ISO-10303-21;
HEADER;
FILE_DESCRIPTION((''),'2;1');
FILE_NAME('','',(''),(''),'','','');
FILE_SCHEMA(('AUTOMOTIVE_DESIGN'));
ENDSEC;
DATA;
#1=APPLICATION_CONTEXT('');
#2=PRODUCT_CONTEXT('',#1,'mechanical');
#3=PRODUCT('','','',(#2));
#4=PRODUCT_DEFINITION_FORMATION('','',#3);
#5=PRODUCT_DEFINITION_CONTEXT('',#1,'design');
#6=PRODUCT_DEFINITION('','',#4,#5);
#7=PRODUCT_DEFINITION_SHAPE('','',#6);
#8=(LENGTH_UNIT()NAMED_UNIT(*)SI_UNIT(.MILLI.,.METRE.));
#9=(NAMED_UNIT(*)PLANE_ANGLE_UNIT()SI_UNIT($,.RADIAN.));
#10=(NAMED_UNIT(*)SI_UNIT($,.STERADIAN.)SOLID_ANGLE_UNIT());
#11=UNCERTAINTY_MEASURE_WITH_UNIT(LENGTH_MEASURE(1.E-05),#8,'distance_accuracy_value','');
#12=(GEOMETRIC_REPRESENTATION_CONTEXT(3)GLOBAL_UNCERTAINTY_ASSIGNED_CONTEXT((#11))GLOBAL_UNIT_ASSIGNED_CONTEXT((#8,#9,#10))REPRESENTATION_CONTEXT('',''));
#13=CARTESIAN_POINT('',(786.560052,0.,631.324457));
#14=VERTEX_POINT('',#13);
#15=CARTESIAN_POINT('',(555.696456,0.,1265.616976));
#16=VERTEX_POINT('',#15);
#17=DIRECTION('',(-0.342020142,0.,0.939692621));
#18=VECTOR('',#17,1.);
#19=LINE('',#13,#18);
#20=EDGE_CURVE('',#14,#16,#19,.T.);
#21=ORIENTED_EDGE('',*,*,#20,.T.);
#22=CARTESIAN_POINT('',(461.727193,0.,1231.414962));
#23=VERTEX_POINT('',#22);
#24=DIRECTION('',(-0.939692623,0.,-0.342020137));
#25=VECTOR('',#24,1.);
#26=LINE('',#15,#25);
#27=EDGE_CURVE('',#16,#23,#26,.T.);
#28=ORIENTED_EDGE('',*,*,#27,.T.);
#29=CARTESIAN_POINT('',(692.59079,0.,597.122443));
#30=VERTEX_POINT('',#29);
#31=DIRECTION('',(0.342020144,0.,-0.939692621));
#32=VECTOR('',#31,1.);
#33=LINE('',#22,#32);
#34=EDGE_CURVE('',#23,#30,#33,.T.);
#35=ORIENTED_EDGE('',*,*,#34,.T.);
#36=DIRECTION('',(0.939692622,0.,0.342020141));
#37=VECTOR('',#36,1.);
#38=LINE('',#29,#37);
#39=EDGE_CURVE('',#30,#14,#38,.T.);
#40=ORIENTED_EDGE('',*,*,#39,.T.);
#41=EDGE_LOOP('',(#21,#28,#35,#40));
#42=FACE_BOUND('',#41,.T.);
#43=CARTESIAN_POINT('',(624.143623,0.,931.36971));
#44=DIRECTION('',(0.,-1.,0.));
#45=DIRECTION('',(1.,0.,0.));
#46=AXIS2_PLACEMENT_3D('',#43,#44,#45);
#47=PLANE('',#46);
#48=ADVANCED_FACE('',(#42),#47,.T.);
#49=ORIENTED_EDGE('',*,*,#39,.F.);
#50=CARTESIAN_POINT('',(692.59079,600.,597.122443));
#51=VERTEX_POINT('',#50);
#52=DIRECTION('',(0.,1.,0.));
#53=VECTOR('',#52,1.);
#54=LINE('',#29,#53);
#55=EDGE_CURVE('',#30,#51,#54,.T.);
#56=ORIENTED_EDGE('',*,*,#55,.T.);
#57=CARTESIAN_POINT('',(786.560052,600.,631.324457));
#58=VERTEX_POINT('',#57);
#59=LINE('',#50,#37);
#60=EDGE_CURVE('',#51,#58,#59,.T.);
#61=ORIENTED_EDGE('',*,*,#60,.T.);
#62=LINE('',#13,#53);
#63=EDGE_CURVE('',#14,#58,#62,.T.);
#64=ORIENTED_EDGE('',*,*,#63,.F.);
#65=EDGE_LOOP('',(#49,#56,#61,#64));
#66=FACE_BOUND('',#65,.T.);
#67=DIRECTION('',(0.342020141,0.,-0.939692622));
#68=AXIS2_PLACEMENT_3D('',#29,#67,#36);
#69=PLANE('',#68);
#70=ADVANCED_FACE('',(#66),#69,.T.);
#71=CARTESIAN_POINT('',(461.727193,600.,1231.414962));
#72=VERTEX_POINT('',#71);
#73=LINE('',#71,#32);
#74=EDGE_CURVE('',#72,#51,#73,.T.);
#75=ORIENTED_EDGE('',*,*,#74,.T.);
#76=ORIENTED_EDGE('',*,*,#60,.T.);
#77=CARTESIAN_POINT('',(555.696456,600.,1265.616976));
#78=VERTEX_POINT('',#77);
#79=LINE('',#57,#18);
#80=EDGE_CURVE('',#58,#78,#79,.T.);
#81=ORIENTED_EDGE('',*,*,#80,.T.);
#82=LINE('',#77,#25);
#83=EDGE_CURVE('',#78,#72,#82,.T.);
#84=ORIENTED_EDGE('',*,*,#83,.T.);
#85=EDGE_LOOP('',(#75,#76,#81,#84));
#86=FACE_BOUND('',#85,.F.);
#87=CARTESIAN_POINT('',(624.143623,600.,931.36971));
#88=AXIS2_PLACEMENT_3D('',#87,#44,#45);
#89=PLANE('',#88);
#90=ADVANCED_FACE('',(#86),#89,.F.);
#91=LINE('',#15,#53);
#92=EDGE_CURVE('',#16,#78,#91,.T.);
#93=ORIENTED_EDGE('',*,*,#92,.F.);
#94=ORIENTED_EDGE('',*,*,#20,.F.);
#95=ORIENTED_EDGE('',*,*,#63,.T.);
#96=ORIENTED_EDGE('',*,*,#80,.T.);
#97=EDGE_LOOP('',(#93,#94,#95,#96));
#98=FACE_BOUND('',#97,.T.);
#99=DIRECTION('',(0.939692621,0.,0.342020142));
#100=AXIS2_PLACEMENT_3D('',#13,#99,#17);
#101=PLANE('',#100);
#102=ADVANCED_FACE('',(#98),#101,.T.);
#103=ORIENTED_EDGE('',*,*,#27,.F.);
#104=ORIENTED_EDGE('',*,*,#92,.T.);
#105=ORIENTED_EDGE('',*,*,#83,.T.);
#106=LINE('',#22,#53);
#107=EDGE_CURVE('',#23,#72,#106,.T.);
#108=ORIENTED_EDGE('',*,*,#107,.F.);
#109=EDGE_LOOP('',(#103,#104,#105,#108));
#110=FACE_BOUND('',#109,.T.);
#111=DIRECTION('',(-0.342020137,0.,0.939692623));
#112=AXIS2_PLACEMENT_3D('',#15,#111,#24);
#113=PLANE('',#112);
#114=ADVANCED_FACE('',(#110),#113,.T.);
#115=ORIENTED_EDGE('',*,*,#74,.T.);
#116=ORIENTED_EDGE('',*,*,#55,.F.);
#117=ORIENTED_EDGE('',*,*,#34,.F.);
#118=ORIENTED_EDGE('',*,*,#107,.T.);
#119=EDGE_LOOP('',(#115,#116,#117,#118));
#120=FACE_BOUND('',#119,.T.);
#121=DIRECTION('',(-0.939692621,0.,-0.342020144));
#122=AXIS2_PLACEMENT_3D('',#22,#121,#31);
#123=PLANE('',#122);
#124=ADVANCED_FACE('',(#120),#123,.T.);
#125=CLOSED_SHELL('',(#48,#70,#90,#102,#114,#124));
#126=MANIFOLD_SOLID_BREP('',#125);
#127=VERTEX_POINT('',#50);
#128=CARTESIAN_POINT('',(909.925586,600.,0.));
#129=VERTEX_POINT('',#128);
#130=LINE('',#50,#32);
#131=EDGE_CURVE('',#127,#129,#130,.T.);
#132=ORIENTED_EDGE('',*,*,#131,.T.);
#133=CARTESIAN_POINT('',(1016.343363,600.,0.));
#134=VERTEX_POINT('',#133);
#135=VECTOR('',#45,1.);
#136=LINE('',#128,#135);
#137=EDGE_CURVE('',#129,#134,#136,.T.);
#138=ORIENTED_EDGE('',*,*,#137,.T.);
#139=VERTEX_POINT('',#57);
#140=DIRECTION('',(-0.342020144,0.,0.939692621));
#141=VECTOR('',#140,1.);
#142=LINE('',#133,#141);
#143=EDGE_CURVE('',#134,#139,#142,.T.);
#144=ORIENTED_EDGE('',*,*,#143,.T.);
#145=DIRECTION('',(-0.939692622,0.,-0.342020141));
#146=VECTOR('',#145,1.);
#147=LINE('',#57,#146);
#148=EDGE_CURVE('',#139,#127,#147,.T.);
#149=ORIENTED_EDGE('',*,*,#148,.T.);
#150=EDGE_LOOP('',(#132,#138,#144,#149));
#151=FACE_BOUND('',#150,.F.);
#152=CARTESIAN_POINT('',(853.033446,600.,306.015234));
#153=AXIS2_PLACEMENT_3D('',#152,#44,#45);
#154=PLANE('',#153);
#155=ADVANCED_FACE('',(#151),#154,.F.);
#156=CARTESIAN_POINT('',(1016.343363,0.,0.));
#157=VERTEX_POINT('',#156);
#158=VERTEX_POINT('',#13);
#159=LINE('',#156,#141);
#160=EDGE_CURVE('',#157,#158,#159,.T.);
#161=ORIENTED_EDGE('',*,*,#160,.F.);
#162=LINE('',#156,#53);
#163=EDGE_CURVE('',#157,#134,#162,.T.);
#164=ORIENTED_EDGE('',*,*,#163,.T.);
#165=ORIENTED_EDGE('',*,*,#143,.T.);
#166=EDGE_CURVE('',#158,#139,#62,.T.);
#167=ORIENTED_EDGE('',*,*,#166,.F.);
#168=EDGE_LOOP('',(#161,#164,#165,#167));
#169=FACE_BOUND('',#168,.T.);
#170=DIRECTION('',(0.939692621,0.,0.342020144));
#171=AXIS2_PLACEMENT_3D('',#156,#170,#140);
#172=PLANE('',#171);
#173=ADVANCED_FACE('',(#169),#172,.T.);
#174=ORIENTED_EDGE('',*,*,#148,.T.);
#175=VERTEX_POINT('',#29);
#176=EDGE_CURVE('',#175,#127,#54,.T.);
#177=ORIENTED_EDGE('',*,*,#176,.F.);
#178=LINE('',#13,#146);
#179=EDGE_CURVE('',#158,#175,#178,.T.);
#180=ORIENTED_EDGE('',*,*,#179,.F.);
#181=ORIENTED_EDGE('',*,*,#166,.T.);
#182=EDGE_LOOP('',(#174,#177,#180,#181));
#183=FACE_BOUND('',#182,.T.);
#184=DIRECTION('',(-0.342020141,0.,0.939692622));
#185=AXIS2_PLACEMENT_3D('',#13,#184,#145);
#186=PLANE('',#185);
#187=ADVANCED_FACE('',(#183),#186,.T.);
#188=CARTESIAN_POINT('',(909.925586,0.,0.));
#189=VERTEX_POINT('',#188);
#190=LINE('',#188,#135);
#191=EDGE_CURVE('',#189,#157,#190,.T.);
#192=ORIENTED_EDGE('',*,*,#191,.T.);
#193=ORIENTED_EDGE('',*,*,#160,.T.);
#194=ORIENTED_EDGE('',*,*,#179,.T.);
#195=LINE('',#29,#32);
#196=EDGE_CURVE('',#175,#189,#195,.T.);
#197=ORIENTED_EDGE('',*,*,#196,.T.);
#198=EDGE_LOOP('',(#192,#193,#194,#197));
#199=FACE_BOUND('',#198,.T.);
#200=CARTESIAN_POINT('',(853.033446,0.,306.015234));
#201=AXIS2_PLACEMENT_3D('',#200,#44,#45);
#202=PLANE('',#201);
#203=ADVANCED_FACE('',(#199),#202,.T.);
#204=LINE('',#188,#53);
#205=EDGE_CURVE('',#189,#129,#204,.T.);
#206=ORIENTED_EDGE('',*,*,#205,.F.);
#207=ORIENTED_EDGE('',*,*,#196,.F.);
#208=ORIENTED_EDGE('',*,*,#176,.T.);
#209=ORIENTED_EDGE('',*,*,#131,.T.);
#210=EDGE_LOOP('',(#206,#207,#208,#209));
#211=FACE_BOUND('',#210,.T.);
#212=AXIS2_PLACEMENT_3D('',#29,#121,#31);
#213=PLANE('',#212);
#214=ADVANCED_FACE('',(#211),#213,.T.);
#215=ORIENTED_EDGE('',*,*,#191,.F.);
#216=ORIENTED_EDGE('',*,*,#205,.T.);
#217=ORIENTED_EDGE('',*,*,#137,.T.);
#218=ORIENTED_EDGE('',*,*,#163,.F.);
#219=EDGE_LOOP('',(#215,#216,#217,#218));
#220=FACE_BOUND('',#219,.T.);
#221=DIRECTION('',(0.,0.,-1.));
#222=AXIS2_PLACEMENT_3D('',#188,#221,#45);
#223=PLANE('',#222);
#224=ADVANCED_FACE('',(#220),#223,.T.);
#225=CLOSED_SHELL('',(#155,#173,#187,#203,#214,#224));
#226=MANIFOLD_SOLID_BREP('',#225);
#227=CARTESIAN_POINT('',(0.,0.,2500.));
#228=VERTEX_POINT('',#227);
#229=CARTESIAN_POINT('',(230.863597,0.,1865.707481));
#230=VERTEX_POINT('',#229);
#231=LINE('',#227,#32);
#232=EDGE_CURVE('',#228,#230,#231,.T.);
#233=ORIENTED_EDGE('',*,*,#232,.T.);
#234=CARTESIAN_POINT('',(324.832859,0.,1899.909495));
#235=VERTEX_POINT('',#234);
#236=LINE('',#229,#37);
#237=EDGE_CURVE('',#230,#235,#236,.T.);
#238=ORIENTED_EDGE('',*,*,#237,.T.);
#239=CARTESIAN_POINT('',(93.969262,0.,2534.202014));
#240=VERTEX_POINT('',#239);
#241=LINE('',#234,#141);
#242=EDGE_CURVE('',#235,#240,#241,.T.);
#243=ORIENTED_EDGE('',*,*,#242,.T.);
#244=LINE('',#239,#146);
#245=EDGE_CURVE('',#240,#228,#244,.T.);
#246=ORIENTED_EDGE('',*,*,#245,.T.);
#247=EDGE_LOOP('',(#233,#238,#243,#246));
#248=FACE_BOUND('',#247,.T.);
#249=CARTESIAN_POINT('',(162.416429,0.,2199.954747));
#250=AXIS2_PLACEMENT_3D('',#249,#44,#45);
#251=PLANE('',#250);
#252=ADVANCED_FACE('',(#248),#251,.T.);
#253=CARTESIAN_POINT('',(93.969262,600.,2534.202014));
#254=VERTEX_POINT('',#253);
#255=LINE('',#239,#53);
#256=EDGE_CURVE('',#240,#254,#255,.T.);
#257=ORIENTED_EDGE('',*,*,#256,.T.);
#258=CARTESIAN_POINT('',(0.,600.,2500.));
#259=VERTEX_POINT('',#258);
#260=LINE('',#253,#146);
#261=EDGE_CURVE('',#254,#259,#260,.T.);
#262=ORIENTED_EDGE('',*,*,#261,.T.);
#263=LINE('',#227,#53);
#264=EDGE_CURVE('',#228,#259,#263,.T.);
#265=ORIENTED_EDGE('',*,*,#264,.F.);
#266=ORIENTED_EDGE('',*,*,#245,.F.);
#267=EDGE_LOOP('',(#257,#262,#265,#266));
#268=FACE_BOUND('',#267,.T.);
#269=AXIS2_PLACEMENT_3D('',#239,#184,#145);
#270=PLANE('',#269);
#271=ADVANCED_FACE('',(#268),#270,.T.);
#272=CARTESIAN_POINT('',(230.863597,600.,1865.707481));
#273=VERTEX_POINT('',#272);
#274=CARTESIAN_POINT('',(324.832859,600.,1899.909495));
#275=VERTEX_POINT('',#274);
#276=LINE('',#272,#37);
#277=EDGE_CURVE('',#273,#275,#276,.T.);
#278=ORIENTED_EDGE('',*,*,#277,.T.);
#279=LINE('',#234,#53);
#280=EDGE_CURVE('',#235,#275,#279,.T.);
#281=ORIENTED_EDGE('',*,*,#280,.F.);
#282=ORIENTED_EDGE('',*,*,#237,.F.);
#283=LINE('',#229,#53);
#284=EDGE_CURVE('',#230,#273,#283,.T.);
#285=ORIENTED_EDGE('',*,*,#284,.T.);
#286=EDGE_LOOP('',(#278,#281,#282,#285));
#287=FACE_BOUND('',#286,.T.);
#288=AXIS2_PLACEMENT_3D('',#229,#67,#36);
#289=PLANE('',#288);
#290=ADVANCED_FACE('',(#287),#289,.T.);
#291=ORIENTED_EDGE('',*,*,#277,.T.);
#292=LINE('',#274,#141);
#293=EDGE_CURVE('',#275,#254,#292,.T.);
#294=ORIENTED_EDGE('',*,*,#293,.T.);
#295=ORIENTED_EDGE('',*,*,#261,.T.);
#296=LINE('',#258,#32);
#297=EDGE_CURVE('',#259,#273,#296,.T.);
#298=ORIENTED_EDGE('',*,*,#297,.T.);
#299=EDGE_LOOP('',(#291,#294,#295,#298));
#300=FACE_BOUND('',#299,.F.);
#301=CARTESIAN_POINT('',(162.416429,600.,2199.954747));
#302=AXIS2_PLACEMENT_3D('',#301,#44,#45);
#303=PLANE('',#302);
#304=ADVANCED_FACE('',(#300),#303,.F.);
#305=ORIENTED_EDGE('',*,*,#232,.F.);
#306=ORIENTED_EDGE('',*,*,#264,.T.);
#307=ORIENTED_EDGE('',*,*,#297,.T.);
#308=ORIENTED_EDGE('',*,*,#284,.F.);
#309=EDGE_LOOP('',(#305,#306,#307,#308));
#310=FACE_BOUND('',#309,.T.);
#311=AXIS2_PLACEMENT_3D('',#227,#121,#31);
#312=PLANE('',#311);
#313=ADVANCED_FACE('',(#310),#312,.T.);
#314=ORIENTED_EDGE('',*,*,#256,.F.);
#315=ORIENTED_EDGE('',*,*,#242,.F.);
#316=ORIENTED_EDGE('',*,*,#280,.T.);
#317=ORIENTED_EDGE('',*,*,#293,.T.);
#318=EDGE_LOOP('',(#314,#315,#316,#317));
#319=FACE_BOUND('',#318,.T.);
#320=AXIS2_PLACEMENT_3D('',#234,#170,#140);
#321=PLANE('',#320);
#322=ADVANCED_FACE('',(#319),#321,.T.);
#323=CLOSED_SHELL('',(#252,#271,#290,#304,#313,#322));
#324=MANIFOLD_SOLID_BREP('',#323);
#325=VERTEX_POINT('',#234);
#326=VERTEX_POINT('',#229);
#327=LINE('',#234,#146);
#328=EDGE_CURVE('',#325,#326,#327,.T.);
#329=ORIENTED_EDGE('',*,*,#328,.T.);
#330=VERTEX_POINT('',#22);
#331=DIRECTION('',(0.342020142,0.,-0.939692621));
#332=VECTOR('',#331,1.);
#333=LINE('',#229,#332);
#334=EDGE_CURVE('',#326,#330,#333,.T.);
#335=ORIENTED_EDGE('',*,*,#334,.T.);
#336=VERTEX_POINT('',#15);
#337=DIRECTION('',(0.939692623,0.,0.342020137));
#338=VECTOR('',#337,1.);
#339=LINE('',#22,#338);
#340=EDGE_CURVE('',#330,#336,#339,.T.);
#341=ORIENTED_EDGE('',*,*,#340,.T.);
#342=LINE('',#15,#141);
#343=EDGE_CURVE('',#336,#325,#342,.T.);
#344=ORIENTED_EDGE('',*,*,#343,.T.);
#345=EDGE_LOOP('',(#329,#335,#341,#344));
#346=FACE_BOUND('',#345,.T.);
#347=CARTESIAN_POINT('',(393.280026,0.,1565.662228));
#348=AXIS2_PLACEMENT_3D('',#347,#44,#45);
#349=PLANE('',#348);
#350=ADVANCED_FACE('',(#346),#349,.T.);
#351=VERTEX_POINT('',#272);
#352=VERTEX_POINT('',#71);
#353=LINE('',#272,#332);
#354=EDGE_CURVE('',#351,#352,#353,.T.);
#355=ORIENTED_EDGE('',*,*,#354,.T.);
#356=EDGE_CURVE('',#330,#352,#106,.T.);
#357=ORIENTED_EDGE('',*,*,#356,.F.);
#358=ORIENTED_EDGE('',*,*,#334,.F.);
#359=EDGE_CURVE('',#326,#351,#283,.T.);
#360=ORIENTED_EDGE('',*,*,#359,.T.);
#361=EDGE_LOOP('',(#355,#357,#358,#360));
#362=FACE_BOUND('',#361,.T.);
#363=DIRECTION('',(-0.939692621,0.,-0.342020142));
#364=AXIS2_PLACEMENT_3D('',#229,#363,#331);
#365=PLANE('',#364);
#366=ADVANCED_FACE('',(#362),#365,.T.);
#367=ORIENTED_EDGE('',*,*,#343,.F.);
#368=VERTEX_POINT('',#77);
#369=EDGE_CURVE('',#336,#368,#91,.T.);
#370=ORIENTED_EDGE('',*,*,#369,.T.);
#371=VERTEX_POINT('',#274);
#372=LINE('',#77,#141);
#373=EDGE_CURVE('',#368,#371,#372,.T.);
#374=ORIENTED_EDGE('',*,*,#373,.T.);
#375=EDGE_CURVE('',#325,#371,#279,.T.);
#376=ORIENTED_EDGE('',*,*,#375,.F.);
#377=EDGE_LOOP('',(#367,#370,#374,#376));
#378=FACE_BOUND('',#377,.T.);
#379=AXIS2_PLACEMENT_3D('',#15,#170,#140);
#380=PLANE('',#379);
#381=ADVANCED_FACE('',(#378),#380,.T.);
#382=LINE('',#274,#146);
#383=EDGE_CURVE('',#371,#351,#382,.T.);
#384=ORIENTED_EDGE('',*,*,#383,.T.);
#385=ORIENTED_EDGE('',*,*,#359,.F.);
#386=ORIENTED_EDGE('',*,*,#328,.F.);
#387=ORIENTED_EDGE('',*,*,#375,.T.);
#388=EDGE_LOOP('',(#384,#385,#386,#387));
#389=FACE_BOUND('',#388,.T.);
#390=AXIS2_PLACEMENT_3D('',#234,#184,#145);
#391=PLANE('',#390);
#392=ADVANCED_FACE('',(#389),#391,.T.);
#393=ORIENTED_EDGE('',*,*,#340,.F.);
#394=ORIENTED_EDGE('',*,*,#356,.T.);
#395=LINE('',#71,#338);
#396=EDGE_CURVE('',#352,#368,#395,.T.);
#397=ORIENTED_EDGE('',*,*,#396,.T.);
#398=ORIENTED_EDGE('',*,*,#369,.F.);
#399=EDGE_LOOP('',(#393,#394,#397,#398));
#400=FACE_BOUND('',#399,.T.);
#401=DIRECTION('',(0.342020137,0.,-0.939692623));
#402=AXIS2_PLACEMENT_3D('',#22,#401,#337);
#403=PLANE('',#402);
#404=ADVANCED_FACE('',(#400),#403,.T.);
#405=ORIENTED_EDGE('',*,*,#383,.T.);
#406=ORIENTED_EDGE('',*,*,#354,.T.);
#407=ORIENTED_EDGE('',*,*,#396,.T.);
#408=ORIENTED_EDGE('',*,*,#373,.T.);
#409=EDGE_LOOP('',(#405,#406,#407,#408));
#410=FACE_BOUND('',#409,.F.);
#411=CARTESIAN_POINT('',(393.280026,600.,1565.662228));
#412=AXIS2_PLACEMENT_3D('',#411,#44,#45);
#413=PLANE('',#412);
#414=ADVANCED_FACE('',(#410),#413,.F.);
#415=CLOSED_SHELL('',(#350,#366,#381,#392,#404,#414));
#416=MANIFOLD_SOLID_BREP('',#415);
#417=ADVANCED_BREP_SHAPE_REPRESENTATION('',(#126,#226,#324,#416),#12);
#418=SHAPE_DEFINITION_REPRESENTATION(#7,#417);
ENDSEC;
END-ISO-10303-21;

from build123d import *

# Parameters (mm, degrees)
F1_DEPTH = 600
F2_DEPTH = 600


with BuildPart() as f1:
    # F0 (on Front) → F1 (new body)
    with BuildSketch(Plane.XZ):
        Polygon((93.969262, 2534.202014), (0, 2500), (230.863597, 1865.707481), (324.832859, 1899.909495), align=None)
        Polygon((555.696456, 1265.616976), (461.727193, 1231.414962), (692.59079, 597.122443), (786.560052, 631.324457), align=None)
    extrude(amount=-F1_DEPTH)


with BuildPart() as f2:
    # F0 (on Front) → F2 (new body)
    with BuildSketch(Plane.XZ):
        Polygon((324.832859, 1899.909495), (230.863597, 1865.707481), (461.727193, 1231.414962), (555.696456, 1265.616976), align=None)
        Polygon((786.560052, 631.324457), (692.59079, 597.122443), (909.925586, 0), (1016.343363, 0), align=None)
    extrude(amount=-F2_DEPTH)


solid = Compound([f1.part, f2.part])
